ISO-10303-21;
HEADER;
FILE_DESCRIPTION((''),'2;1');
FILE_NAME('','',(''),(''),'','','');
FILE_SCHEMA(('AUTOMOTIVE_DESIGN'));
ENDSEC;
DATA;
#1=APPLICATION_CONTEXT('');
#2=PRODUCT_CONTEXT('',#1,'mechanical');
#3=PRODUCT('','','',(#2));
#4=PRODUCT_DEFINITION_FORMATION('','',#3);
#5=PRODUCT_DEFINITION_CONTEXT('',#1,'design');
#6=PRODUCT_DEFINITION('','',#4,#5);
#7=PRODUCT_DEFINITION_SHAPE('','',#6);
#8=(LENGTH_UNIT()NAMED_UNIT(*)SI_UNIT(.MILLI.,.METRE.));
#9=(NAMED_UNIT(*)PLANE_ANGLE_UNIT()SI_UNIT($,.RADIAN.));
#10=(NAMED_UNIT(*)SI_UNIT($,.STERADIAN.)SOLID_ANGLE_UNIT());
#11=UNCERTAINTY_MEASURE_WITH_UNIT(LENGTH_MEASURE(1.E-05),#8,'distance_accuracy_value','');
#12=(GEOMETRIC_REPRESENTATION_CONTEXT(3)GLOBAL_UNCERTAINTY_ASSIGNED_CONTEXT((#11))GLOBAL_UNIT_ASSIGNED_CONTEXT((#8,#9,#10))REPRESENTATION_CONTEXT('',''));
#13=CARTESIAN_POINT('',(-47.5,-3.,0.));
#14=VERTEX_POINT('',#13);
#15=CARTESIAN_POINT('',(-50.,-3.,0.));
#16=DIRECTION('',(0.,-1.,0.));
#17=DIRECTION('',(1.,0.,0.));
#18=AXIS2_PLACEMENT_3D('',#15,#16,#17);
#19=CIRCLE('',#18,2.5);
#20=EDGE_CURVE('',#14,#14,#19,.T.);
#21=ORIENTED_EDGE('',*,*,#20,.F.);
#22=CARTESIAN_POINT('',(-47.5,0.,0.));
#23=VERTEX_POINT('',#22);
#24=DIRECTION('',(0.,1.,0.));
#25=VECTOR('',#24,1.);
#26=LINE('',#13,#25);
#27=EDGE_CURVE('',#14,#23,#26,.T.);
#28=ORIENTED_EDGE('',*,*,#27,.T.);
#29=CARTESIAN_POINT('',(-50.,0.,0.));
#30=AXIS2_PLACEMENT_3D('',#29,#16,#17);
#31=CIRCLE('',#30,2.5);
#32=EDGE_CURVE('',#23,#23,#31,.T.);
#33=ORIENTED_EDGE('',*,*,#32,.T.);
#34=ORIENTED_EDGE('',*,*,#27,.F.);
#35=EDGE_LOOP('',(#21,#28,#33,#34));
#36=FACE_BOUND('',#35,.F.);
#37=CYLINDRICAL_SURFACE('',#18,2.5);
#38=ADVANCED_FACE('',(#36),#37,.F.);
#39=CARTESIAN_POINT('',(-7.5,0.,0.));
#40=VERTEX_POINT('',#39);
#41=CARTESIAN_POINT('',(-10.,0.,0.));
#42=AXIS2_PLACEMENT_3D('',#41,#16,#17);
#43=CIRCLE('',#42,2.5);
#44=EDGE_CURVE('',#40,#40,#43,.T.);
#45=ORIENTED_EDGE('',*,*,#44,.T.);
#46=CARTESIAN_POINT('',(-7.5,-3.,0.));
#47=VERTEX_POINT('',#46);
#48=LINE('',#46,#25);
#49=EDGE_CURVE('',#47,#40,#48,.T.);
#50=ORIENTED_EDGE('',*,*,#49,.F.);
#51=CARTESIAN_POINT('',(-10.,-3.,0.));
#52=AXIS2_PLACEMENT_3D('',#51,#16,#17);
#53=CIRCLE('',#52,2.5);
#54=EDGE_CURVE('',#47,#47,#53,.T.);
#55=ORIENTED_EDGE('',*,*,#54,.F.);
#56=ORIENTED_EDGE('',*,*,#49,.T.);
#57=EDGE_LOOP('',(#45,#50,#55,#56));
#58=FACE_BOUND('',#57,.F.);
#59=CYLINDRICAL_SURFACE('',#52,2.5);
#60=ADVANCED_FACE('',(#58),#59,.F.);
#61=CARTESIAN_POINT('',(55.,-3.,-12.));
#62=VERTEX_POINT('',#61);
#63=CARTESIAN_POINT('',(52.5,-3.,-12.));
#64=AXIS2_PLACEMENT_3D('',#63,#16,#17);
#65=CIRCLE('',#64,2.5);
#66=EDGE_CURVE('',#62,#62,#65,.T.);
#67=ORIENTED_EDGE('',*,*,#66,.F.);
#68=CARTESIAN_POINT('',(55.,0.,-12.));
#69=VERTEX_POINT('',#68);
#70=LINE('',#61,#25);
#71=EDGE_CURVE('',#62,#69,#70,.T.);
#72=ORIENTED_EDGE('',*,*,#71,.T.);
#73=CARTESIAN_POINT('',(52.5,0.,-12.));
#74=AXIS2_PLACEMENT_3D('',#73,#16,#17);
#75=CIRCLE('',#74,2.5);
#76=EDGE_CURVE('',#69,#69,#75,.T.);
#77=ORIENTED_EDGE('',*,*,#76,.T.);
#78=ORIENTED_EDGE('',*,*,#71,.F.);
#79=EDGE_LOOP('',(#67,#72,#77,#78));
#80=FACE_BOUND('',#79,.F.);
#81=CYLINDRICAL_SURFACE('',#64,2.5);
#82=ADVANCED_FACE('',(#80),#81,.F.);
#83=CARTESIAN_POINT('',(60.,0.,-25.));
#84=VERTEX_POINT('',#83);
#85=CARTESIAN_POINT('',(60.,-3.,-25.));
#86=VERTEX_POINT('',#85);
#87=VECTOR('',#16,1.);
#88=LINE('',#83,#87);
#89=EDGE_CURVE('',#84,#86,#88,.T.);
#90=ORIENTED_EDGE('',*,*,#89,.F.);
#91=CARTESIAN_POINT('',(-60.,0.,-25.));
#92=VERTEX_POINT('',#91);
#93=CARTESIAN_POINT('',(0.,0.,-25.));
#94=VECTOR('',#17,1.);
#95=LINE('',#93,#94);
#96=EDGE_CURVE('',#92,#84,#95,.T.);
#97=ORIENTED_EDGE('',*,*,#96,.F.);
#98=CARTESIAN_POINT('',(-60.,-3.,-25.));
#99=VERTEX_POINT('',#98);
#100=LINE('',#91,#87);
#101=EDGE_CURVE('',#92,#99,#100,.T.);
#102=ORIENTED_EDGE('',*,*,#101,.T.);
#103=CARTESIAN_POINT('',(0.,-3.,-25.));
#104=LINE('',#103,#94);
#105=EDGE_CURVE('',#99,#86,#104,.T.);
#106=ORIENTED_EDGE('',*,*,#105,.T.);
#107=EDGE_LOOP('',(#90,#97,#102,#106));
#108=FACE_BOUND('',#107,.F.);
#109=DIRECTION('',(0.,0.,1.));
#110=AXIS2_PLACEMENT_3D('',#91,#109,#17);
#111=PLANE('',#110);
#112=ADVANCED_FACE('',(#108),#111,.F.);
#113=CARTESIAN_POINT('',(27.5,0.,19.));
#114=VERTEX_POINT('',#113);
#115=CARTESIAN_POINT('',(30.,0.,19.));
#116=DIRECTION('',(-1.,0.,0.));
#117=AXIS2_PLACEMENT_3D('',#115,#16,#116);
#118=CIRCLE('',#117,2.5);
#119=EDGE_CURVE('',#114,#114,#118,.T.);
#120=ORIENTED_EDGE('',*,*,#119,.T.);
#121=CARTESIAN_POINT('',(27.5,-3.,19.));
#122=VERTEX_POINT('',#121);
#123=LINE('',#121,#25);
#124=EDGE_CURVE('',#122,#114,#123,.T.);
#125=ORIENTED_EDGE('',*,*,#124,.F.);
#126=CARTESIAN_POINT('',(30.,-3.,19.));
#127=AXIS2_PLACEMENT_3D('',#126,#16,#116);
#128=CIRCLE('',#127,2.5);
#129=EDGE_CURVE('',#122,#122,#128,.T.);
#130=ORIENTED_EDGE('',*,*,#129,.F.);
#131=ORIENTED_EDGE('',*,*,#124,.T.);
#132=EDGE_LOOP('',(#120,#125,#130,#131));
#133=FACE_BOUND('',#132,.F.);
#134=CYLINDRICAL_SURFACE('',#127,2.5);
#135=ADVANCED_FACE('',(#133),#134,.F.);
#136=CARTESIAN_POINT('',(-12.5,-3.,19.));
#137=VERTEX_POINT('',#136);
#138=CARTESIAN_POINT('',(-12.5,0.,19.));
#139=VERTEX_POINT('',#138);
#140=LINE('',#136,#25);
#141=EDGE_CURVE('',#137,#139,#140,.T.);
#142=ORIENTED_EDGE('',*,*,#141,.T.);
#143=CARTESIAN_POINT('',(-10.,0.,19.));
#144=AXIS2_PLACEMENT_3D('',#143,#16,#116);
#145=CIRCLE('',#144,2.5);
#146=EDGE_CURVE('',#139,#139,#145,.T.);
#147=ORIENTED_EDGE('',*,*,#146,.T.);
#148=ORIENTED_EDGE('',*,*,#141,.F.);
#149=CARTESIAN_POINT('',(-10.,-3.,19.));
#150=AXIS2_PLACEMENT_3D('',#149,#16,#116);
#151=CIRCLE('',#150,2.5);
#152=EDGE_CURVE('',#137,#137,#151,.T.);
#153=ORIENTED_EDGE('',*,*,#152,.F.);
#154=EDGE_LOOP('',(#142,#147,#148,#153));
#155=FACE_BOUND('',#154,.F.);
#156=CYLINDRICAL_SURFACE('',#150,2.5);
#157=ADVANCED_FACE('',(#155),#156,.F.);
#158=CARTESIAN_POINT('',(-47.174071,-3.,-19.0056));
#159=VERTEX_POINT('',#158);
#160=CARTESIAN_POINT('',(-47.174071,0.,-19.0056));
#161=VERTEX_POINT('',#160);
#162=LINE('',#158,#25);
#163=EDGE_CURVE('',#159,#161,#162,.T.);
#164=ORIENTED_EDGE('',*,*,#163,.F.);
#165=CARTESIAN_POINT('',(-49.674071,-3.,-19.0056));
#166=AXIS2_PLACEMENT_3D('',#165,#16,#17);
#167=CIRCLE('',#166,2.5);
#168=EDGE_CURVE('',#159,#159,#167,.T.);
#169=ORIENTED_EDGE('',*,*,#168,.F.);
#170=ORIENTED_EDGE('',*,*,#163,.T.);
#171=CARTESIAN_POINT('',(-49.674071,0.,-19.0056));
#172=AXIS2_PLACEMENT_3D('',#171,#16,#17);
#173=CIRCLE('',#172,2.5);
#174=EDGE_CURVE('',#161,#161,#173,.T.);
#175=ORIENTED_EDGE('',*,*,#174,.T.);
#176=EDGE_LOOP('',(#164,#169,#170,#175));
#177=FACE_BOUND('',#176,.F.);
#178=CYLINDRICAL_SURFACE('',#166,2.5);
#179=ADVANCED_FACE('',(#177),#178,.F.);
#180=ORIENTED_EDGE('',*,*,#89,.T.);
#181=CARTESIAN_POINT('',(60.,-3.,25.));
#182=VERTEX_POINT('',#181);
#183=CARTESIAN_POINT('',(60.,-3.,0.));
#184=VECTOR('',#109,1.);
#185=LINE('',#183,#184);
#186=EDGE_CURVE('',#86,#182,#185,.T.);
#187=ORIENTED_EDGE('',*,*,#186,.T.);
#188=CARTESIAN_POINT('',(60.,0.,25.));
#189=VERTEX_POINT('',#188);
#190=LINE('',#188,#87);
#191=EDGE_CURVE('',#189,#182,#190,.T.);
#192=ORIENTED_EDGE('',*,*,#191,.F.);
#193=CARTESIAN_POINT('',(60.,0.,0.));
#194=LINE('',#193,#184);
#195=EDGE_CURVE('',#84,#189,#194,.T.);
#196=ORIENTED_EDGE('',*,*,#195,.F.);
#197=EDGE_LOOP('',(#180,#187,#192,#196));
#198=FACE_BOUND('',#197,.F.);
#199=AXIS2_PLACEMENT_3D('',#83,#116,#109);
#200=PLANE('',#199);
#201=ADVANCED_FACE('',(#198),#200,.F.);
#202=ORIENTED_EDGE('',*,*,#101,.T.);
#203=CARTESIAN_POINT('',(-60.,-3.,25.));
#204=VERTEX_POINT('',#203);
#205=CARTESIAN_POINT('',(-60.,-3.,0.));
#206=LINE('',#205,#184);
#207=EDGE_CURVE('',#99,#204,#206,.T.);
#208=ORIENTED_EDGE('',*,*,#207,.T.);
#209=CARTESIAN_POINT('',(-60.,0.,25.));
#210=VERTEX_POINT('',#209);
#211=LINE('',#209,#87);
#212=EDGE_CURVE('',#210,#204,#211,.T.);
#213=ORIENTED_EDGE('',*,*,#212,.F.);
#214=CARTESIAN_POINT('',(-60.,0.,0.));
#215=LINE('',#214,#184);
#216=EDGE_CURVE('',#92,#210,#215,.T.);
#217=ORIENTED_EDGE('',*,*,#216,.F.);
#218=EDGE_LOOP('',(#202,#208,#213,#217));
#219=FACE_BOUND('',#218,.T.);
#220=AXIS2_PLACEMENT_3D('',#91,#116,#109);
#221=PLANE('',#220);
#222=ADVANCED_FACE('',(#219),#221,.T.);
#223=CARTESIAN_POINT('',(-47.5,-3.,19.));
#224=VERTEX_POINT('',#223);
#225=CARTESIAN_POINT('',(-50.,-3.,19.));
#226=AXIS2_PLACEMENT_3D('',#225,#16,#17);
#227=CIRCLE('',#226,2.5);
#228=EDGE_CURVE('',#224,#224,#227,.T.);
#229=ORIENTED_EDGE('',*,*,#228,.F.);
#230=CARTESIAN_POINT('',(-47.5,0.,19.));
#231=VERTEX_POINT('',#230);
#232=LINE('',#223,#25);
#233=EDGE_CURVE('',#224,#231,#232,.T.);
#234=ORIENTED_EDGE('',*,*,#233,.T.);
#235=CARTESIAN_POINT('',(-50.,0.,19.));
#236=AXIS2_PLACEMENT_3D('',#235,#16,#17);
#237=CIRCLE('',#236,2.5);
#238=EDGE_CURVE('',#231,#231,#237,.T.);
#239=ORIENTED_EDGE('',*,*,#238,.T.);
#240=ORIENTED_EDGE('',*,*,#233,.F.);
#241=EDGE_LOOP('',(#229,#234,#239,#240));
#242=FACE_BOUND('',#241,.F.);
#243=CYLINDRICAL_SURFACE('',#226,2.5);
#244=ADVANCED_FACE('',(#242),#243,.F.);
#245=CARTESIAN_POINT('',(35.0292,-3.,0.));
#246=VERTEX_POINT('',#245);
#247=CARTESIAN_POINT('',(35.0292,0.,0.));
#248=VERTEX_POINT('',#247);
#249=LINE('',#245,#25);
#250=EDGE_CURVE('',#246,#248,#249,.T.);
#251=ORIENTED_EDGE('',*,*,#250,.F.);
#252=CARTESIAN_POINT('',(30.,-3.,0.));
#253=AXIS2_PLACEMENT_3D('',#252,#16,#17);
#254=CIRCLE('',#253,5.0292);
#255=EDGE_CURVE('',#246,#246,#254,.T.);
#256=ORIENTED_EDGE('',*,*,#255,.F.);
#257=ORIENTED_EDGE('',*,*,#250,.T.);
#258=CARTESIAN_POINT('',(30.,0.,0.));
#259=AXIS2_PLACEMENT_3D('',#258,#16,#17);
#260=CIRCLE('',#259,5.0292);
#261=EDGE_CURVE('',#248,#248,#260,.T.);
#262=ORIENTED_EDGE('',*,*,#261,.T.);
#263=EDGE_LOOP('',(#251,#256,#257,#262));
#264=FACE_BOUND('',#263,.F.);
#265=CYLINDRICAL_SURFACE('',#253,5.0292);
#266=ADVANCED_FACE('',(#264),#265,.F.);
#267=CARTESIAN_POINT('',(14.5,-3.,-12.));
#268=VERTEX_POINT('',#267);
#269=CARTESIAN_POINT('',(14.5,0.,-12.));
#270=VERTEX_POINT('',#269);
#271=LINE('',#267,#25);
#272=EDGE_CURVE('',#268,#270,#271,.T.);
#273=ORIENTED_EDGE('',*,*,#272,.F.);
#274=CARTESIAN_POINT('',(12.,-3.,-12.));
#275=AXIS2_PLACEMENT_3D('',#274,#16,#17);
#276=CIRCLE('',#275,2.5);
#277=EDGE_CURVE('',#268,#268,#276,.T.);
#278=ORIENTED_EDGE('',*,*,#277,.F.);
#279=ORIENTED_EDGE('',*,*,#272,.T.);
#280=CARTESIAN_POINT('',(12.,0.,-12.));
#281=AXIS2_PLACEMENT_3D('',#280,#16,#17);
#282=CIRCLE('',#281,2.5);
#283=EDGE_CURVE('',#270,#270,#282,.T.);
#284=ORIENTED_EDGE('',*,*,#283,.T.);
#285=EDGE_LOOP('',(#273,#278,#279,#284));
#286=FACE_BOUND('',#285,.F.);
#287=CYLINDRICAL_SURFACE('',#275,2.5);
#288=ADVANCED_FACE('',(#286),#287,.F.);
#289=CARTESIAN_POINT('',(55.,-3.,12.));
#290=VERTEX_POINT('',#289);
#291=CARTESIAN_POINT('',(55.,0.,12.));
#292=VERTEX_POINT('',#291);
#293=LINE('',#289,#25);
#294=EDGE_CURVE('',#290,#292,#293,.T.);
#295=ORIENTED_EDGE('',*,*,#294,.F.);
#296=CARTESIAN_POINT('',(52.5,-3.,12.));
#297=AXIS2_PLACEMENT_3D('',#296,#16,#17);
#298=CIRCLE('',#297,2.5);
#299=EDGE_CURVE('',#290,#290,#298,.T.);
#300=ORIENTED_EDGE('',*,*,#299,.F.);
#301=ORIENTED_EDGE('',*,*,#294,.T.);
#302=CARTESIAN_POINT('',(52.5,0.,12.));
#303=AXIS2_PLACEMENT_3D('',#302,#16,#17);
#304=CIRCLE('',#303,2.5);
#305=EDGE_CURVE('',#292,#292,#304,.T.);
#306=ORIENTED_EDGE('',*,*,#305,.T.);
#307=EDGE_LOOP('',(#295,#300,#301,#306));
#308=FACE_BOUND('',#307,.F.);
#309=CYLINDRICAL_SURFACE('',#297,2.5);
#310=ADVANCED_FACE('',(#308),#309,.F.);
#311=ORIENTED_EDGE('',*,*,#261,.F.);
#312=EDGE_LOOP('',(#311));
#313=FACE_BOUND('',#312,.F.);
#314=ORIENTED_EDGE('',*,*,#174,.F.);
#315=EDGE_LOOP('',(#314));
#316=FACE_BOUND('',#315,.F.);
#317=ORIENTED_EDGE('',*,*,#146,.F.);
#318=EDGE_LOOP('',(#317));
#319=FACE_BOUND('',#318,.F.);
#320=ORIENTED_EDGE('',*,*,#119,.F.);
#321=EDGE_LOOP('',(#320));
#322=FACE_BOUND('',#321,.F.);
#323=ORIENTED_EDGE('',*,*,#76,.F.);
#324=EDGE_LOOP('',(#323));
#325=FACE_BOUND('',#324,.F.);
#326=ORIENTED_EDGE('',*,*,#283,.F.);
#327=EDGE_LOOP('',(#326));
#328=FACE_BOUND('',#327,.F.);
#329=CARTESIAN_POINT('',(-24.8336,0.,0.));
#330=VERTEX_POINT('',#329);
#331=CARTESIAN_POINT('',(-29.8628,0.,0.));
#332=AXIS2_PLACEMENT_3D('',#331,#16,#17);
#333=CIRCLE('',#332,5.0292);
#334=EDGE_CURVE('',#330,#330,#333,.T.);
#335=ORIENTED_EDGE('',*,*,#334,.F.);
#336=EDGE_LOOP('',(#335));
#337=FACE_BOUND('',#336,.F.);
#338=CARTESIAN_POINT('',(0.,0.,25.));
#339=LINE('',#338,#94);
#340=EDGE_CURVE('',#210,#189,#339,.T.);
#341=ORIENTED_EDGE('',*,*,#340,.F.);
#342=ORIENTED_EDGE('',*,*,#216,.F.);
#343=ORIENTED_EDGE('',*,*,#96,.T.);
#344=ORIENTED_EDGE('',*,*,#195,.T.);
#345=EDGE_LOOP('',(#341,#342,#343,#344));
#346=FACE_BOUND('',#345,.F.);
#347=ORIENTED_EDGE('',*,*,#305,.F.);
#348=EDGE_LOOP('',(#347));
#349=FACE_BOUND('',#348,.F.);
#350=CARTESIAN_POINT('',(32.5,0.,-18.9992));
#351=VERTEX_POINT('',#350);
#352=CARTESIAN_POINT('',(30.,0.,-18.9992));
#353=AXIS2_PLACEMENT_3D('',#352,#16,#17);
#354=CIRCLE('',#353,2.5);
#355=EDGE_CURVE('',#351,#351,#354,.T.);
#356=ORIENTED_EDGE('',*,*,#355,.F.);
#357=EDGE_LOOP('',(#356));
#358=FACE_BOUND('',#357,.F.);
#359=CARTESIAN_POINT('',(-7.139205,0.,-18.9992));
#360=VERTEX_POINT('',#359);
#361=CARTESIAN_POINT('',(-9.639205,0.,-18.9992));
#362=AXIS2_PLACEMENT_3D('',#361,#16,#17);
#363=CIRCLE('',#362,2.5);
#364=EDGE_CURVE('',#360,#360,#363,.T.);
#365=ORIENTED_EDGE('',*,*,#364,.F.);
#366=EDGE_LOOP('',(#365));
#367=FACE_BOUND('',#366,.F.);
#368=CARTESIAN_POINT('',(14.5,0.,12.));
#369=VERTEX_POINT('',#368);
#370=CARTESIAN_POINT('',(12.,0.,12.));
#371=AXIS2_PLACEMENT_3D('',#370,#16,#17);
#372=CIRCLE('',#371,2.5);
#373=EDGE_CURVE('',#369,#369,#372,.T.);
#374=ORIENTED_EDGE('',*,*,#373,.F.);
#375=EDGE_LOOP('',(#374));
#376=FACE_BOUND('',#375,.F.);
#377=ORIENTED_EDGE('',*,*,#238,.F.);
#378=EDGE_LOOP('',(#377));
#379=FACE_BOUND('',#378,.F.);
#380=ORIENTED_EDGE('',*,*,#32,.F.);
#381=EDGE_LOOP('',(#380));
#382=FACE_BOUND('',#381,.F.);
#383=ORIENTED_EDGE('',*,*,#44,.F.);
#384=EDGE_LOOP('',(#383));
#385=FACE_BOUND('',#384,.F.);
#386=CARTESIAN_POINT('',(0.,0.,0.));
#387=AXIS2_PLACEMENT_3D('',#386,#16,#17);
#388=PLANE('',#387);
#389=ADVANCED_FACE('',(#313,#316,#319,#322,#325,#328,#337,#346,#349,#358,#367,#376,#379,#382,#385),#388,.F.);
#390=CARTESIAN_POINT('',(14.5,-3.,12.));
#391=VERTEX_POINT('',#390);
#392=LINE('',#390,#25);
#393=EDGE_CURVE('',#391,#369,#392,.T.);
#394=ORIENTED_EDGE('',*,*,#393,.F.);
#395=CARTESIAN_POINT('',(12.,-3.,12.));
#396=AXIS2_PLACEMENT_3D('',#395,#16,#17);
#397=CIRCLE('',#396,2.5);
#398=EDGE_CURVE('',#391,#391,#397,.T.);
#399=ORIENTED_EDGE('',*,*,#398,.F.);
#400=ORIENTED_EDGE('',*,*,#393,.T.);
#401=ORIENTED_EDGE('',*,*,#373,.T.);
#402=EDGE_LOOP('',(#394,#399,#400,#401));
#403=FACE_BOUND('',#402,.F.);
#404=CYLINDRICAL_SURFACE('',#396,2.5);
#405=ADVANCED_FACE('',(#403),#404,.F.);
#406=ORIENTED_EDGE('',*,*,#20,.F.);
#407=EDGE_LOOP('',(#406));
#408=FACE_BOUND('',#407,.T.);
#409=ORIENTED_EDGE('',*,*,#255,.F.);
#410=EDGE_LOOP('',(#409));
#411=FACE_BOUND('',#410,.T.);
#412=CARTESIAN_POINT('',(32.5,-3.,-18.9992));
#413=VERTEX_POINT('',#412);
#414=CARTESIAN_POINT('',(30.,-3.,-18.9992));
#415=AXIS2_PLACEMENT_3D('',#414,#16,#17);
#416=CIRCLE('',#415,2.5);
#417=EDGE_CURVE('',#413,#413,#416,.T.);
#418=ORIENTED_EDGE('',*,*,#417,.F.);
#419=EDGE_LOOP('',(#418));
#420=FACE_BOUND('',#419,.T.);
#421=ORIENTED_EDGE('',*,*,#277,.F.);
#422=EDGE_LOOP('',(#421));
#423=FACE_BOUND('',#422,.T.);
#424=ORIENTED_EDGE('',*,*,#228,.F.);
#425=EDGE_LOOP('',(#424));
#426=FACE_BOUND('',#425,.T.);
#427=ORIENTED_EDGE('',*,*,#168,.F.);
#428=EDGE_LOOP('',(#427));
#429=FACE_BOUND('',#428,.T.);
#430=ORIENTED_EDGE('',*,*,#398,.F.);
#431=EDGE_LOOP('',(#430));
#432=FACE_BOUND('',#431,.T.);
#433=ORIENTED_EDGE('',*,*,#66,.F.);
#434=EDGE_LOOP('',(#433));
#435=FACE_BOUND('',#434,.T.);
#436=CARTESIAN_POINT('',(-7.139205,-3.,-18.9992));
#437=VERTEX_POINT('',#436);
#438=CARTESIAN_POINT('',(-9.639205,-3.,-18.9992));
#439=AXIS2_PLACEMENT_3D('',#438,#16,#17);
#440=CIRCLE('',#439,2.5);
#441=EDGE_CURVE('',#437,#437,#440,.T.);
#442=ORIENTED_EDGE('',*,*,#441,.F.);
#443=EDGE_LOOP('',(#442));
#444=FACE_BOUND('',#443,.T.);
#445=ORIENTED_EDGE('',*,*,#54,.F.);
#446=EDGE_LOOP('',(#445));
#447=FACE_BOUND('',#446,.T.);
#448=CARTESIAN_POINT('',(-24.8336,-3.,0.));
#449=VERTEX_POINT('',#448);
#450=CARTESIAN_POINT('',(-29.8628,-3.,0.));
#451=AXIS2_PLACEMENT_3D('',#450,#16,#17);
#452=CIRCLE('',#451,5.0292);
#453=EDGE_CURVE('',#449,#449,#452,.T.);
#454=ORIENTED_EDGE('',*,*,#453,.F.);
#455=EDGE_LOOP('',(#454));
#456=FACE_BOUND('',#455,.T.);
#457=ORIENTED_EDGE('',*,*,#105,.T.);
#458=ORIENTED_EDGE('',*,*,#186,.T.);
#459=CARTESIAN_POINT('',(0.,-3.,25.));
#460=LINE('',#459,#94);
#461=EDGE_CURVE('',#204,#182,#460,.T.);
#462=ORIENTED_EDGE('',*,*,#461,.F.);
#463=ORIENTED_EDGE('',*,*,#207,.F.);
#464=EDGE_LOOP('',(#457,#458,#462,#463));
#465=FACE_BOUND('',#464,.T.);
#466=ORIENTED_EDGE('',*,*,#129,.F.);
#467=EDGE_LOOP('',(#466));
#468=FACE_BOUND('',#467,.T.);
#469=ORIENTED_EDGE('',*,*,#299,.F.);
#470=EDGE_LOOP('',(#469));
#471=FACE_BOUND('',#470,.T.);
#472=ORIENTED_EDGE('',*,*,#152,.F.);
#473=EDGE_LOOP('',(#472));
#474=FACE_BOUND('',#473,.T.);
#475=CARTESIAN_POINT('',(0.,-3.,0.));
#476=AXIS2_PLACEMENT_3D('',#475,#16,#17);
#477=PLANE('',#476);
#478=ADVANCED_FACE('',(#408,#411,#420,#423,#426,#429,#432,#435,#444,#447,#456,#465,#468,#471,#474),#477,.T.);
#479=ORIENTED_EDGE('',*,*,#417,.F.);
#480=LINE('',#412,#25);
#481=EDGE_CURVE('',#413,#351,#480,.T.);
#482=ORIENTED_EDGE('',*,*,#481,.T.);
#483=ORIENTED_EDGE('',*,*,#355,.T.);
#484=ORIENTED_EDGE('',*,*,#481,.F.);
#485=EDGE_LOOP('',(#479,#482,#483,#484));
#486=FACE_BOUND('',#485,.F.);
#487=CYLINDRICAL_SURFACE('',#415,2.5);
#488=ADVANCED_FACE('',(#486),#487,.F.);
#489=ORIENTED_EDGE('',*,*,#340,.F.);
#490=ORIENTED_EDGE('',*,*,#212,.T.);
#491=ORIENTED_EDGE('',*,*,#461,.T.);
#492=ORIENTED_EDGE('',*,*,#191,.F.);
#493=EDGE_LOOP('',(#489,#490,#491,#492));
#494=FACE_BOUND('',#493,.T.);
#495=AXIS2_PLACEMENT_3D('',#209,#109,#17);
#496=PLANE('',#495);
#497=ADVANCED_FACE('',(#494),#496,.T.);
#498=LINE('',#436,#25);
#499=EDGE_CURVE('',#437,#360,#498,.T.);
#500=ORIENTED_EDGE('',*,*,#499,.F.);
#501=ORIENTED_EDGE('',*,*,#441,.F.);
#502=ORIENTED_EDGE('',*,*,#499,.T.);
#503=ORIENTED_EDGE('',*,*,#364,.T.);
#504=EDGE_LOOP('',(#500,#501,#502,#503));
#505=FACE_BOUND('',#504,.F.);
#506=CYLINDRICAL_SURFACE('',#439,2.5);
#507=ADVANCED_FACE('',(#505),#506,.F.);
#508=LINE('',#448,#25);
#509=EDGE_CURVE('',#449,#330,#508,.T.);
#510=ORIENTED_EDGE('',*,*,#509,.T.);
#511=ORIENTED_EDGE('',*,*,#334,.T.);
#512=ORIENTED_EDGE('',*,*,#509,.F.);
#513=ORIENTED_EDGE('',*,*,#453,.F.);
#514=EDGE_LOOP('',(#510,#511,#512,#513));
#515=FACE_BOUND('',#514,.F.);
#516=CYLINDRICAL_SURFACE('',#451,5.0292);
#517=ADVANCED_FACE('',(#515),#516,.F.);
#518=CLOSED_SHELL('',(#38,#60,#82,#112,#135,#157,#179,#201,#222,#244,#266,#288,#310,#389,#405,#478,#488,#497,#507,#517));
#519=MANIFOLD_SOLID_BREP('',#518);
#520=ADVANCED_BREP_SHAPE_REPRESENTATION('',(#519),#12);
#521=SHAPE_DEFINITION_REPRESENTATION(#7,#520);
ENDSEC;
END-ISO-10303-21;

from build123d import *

# Parameters (mm, degrees)
F0_W     = 120
F0_H     = 50
F1_DEPTH = 3
F2_R     = 2.5
F2_R_2   = 5.0292
F3_DEPTH = 3.001


with BuildPart() as f1:
    # F0 (on Front) → F1 (new body)
    with BuildSketch(Plane.XZ):
        Rectangle(F0_W, F0_H)
    extrude(amount=F1_DEPTH)

    # F2 (on face) → F3 (cut, through all)
    with BuildSketch(Plane.XZ.offset(3)):
        with Locations((-50, 0)):
            Circle(F2_R)
        with Locations((-49.6740713716, -19.0056)):
            Circle(F2_R)
        with Locations((-29.8628, 0)):
            Circle(F2_R_2)
        with Locations((-10, 0)):
            Circle(F2_R)
        with Locations((-9.6392054111, -18.9992)):
            Circle(F2_R)
        with Locations((12, 12)):
            Circle(F2_R)
        with Locations((12, -12)):
            Circle(F2_R)
        with Locations((30, 0)):
            Circle(F2_R_2)
        with Locations((30, -18.9992)):
            Circle(F2_R)
        with Locations((52.5, 12)):
            Circle(F2_R)
        with Locations((52.5, -12)):
            Circle(F2_R)
        with BuildLine():
            ThreePointArc((-7.5, 19), (-10, 21.5), (-12.5, 19))
            Line((-12.5, 19), (-7.5, 19))
        make_face()
        with BuildLine():
            Line((-7.5, 19), (-12.5, 19))
            ThreePointArc((-12.5, 19), (-10, 16.5), (-7.5, 19))
        make_face()
        with BuildLine():
            ThreePointArc((32.5, 19), (30, 21.5), (27.5, 19))
            Line((27.5, 19), (32.5, 19))
        make_face()
        with BuildLine():
            Line((32.5, 19), (27.5, 19))
            ThreePointArc((27.5, 19), (30, 16.5), (32.5, 19))
        make_face()
        with Locations((-50, 19)):
            Circle(F2_R)
    extrude(amount=-F3_DEPTH, mode=Mode.SUBTRACT)


solid = f1.part
